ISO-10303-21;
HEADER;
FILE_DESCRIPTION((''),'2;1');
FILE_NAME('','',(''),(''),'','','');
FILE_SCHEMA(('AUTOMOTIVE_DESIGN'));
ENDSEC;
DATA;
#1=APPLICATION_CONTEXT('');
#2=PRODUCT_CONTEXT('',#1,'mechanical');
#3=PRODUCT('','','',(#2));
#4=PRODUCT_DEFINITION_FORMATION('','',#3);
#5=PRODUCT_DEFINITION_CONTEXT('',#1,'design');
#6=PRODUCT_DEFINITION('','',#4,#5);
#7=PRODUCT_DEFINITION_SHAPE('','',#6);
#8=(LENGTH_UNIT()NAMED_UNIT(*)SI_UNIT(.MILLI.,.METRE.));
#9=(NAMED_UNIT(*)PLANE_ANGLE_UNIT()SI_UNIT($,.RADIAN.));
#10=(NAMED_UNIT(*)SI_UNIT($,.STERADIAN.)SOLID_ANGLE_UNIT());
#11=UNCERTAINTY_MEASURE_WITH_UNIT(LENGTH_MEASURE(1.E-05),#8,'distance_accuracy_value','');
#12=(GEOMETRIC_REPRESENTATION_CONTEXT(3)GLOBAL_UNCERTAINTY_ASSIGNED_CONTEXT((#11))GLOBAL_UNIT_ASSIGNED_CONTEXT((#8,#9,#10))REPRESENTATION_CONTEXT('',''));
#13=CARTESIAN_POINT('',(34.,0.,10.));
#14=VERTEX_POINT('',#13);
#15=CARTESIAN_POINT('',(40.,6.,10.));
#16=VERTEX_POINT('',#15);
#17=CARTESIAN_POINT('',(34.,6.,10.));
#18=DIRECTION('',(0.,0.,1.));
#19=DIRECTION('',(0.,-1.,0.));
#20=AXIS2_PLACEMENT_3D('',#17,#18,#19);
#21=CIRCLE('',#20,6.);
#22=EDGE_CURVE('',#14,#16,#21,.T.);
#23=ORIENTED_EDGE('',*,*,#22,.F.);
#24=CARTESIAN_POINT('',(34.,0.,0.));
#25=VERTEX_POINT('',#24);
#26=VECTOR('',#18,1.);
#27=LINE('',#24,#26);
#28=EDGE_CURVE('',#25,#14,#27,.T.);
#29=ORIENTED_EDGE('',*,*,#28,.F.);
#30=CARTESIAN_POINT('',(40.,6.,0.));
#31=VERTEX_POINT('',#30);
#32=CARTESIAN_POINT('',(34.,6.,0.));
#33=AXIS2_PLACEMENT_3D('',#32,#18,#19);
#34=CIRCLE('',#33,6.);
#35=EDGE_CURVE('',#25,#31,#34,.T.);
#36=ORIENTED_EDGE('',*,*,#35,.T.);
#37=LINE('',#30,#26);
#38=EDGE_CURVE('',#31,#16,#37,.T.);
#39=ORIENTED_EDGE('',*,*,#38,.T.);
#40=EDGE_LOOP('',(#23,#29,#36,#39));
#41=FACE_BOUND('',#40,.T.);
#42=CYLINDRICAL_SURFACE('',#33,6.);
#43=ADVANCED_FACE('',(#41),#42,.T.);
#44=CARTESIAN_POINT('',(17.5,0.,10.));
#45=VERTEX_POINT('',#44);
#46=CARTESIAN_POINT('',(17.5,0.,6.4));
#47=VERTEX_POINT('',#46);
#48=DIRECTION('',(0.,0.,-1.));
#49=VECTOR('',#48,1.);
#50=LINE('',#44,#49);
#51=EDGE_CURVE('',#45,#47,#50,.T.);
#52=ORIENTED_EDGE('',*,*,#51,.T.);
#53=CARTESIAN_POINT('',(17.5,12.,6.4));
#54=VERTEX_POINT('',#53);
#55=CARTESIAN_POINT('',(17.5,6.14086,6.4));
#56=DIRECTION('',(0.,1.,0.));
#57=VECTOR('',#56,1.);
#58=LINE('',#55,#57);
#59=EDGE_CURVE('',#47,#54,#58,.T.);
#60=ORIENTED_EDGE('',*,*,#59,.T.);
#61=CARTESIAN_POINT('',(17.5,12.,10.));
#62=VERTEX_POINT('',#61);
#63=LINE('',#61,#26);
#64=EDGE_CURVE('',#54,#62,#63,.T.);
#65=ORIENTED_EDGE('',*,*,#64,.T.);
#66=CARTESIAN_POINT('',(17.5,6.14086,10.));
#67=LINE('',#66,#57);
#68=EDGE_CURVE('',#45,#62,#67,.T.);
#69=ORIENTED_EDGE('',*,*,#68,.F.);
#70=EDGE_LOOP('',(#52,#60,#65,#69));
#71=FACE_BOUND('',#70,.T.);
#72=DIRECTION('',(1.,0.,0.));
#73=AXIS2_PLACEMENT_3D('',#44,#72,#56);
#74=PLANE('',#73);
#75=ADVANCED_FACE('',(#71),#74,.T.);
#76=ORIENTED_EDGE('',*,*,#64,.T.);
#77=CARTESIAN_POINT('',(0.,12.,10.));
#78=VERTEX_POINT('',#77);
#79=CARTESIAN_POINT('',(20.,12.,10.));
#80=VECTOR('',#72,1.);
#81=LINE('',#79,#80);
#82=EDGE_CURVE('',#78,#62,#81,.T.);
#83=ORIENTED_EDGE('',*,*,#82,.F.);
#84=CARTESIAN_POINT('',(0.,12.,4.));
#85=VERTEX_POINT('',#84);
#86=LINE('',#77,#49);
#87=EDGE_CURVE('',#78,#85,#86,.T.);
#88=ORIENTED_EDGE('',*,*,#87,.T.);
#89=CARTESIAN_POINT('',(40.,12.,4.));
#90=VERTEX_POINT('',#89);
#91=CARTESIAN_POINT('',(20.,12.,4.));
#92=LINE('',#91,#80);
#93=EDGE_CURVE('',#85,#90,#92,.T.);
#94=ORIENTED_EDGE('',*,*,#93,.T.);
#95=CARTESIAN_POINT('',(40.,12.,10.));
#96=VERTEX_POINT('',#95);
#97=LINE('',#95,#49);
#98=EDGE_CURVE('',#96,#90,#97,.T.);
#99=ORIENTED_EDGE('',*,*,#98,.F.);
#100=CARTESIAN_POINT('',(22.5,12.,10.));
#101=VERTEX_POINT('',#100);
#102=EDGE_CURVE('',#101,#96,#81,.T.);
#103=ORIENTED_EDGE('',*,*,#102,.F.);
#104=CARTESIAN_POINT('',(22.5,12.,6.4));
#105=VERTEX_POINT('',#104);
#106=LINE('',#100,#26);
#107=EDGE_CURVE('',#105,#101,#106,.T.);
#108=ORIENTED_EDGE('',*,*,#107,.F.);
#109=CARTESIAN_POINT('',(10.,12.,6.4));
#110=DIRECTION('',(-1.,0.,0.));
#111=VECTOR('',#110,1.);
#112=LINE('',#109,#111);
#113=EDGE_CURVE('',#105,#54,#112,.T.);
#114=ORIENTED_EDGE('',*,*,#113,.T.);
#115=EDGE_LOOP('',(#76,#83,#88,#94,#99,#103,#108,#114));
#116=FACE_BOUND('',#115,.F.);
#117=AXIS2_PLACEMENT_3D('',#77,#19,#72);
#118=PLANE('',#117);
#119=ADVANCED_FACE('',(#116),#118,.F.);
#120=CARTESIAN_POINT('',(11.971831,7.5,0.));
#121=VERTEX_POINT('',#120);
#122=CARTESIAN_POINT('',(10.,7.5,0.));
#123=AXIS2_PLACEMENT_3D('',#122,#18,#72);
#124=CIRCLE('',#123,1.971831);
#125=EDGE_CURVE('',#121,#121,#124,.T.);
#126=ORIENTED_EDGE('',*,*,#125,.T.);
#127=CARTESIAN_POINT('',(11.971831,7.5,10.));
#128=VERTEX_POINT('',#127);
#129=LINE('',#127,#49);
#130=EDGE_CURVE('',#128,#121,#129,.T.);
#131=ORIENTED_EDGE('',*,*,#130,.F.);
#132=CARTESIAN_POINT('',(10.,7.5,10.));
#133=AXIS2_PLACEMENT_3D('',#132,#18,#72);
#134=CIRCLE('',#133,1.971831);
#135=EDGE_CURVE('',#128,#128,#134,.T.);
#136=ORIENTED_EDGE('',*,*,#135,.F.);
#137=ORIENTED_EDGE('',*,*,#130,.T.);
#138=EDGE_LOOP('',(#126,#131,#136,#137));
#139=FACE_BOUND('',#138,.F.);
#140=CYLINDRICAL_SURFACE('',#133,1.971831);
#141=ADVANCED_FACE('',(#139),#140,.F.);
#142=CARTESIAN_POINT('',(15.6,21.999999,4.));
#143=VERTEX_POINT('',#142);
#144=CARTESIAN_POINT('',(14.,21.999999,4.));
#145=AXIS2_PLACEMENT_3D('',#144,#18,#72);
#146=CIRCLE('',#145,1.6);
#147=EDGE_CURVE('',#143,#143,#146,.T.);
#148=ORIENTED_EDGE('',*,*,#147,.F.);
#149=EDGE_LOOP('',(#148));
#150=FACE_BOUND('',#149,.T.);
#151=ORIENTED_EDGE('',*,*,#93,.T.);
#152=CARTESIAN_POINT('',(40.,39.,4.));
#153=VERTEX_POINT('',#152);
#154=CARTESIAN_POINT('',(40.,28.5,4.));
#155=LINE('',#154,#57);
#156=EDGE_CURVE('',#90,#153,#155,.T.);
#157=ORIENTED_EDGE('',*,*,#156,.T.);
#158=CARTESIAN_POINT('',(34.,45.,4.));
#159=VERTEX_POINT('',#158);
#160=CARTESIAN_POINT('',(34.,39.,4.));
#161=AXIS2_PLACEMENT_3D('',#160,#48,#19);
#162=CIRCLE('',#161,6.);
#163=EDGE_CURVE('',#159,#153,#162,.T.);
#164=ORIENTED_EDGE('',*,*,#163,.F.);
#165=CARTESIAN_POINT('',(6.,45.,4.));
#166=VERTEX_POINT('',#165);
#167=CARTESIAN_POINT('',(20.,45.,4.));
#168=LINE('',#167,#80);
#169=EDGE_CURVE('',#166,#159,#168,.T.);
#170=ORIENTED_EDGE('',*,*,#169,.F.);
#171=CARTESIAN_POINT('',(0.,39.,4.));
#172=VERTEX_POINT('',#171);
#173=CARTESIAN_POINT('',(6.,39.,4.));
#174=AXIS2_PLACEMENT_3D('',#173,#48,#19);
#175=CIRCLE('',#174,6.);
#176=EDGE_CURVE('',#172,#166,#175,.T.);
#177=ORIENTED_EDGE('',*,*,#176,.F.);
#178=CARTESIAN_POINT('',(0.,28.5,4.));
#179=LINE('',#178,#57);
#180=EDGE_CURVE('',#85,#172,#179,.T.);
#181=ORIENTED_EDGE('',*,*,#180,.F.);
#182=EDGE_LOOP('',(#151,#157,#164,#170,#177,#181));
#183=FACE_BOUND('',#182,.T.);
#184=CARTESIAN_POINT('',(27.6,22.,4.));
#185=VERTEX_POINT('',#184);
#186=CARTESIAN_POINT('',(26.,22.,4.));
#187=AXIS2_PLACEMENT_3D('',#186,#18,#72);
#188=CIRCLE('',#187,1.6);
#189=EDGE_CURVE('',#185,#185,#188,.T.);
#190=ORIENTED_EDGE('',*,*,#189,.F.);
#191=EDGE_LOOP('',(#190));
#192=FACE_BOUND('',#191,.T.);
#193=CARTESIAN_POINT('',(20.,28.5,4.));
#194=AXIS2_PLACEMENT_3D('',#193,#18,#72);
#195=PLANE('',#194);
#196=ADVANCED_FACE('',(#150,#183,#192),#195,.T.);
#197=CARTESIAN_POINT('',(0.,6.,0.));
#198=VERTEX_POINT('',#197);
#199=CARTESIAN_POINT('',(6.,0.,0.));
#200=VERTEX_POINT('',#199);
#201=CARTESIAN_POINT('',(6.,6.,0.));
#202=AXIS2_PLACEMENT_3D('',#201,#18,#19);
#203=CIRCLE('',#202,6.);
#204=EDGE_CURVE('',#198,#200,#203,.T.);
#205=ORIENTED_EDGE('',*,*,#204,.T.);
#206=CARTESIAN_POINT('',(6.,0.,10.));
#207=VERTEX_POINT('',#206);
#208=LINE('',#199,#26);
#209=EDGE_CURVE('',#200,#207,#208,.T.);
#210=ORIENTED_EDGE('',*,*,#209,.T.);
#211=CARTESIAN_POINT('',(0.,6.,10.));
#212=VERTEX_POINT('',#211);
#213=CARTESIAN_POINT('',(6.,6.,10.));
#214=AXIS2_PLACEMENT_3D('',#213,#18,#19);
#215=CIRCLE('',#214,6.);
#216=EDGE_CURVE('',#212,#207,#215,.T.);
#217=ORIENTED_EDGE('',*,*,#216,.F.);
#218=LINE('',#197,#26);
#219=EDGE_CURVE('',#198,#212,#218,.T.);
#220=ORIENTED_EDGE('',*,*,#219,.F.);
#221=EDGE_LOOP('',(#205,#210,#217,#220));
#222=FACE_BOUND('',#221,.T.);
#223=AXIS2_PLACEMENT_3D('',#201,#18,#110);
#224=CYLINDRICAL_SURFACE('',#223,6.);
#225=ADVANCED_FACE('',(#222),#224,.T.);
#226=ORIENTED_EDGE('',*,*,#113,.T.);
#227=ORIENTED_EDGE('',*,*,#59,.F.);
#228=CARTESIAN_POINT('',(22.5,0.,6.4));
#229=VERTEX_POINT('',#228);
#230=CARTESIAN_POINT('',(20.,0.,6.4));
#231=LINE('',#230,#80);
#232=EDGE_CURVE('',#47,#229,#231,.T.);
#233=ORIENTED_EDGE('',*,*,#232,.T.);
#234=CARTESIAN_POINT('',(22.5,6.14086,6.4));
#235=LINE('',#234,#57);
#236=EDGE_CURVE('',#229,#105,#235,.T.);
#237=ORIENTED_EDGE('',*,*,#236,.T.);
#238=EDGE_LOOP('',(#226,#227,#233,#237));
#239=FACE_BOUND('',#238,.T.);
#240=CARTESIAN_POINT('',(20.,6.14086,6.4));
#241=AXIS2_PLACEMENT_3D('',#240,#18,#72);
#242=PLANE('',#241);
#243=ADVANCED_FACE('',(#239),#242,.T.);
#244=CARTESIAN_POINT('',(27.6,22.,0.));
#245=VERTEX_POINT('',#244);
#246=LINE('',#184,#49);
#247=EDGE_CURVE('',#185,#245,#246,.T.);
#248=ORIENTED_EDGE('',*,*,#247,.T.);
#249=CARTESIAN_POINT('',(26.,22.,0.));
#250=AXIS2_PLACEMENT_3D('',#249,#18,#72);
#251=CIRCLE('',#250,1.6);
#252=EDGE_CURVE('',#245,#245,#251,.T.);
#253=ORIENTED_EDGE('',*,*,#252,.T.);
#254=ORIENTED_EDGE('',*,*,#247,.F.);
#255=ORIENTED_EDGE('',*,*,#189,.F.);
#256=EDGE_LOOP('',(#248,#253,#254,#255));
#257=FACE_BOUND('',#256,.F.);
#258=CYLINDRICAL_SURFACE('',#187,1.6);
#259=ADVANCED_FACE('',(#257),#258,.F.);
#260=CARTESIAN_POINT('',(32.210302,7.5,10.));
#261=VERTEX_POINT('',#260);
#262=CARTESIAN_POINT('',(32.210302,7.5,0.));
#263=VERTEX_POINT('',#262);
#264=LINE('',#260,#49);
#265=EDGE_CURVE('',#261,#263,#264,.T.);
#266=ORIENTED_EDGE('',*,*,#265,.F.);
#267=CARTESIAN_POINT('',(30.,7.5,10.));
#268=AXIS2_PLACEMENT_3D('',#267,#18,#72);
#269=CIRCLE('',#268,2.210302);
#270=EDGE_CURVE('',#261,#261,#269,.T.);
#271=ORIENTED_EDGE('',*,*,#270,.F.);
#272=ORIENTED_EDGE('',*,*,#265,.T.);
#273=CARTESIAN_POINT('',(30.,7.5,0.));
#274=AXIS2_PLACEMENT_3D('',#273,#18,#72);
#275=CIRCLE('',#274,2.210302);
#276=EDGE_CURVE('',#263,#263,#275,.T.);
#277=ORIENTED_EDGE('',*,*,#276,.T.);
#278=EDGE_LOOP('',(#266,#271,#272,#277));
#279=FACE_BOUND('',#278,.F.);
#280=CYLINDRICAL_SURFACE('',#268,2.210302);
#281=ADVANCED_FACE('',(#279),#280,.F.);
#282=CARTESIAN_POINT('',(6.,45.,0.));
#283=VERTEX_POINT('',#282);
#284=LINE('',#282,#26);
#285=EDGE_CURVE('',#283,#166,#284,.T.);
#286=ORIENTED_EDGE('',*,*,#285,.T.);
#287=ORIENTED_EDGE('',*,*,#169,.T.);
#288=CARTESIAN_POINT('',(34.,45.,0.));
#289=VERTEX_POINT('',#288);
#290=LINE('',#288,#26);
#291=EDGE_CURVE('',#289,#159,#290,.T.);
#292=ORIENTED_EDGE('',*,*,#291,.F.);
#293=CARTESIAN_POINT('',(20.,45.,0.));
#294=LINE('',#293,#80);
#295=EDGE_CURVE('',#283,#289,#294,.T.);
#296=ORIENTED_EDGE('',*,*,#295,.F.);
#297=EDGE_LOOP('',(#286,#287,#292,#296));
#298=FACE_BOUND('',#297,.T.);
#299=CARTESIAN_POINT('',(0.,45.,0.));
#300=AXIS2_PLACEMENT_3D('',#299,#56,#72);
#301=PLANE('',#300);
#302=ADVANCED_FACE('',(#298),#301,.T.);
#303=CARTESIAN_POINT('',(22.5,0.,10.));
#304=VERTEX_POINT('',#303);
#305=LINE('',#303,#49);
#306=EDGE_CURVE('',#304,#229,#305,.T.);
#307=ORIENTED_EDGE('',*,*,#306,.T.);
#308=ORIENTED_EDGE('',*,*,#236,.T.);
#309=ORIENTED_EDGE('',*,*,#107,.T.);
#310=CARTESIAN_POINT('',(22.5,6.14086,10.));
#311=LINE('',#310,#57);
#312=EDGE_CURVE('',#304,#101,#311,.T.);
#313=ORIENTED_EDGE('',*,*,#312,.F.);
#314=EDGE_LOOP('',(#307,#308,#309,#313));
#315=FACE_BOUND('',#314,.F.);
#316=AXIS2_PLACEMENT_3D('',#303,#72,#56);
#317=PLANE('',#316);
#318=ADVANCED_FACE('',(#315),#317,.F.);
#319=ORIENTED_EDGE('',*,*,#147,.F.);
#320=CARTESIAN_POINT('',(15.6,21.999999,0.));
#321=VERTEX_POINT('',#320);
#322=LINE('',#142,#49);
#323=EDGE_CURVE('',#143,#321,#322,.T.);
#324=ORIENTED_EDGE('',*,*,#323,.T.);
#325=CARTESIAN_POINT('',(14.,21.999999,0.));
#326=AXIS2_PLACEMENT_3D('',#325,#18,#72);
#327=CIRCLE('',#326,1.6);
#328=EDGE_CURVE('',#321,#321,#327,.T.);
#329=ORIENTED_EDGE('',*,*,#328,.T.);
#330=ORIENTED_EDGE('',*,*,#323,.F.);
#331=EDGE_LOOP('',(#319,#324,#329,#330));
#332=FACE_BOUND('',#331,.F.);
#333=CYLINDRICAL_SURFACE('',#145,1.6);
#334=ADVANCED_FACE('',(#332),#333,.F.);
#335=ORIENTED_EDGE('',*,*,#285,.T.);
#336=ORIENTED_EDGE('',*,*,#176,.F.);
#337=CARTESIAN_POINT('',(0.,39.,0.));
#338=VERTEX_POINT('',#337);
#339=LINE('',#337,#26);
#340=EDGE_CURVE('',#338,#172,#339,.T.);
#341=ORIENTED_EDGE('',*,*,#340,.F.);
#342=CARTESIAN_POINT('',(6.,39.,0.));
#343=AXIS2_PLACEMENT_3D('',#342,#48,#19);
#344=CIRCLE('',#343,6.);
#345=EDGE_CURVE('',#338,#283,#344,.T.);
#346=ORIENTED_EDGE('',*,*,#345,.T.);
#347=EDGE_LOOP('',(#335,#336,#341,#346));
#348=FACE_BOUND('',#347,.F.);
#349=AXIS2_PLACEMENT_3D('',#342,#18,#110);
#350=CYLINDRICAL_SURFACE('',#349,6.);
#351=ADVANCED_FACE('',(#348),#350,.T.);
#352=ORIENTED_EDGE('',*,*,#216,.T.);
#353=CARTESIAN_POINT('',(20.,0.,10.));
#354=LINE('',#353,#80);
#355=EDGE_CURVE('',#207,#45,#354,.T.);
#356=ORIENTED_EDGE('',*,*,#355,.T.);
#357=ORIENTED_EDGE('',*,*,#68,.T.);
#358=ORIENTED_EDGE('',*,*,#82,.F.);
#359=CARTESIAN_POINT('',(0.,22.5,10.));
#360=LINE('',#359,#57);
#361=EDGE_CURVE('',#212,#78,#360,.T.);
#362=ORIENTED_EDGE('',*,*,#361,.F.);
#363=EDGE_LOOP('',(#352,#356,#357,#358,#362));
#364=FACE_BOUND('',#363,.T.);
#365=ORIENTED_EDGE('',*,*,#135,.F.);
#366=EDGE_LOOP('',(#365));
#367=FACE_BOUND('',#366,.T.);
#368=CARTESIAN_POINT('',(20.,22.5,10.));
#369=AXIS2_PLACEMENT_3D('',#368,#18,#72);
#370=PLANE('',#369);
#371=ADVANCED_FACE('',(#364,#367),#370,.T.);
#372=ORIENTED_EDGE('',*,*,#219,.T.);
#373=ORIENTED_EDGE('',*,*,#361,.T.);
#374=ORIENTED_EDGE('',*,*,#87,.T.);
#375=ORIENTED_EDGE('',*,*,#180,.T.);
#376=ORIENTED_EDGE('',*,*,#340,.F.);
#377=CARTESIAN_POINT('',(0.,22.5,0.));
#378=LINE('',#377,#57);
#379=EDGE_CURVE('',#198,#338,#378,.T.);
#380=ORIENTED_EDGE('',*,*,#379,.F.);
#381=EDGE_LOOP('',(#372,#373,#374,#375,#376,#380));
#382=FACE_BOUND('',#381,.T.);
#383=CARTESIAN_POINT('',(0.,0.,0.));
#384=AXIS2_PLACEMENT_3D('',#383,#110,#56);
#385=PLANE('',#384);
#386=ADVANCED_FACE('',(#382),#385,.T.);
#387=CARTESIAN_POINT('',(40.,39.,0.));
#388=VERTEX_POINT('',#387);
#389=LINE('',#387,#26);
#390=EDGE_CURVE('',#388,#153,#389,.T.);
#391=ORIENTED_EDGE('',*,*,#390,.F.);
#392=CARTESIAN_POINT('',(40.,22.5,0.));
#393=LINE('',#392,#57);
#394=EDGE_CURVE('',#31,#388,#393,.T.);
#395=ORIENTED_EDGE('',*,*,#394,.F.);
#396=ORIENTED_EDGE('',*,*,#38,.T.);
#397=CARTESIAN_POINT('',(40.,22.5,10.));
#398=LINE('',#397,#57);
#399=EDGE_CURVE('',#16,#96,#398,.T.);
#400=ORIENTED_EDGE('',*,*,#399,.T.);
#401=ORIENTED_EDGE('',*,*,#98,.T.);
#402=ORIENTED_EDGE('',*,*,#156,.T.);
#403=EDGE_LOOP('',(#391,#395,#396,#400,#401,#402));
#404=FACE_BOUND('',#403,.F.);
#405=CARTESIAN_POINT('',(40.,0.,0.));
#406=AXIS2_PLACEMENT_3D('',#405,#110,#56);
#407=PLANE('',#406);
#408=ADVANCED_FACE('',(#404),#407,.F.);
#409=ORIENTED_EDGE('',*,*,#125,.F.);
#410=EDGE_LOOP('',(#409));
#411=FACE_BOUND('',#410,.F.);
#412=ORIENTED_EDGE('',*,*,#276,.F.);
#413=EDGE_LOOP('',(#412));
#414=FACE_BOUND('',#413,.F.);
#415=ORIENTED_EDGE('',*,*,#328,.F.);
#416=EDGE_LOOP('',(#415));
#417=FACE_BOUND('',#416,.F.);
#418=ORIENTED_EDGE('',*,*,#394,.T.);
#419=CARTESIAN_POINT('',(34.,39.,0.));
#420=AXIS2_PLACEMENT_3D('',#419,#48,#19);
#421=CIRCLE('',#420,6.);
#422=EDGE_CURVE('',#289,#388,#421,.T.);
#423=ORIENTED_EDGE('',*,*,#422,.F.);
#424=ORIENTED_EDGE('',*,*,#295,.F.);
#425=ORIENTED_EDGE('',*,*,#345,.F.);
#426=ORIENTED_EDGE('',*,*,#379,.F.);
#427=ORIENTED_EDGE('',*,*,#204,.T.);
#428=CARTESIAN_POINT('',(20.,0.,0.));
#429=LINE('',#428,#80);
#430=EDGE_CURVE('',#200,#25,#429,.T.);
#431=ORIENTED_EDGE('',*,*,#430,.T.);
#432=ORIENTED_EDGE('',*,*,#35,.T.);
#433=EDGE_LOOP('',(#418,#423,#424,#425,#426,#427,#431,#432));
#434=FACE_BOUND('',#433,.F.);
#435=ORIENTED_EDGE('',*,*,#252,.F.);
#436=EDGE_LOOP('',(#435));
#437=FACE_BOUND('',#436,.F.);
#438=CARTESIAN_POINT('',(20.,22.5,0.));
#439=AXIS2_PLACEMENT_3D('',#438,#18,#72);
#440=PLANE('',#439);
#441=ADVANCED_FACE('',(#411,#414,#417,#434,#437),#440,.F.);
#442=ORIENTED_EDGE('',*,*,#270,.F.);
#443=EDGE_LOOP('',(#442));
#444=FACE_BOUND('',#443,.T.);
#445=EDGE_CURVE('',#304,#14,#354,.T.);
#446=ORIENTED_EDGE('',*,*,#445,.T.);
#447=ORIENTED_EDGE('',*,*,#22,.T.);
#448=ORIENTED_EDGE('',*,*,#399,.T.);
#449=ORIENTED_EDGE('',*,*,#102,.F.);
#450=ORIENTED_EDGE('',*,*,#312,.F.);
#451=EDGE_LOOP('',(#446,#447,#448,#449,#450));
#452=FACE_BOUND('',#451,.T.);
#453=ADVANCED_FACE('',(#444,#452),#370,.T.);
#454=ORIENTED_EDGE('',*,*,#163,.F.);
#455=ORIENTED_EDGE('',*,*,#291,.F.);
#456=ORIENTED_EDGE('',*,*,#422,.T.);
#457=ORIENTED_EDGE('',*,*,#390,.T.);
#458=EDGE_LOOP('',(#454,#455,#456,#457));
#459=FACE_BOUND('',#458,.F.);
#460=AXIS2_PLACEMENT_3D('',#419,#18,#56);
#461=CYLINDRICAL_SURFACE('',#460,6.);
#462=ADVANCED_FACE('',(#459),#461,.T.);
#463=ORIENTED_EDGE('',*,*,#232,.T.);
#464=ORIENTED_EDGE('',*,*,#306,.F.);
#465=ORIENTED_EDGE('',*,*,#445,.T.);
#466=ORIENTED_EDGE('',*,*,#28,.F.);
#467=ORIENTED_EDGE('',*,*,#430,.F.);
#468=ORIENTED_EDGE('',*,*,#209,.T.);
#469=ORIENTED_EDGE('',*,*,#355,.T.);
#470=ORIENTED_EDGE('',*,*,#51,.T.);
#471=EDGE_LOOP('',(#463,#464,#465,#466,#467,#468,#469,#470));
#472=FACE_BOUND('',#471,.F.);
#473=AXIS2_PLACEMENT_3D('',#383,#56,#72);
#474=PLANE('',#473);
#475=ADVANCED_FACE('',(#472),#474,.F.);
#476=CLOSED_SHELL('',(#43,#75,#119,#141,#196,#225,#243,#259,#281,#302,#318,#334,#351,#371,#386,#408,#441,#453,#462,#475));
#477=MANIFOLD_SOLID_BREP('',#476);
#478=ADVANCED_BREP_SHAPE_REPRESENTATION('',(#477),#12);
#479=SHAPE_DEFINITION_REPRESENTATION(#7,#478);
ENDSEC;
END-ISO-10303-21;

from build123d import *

# Parameters (mm, degrees)
SKETCH_W        = 40
SKETCH_H        = 45
PAD_DEPTH       = 10
SKETCH001_R     = 1.971831
SKETCH001_R_2   = 2.210302
POCKET_DEPTH    = 10
SKETCH002_W     = 40
SKETCH002_H     = 33
POCKET001_DEPTH = 6
SKETCH003_R     = 1.6
POCKET002_DEPTH = 5
SKETCH004_W     = 5
SKETCH004_H     = 12.28172
POCKET003_DEPTH = 3.6
FILLET_R        = 6


with BuildPart() as part:
    # Sketch → Pad (new body)
    with BuildSketch(Plane.XY):
        with Locations((20, 22.5)):
            Rectangle(SKETCH_W, SKETCH_H)
    extrude(amount=PAD_DEPTH)

    # Sketch001 (on Face6 of Pad) → Pocket (cut)
    with BuildSketch(Plane.XY.offset(10)):
        with Locations((10, 7.5)):
            Circle(SKETCH001_R)
        with Locations((30, 7.5)):
            Circle(SKETCH001_R_2)
    extrude(amount=-POCKET_DEPTH, mode=Mode.SUBTRACT)

    # Sketch002 (on Face5 of Pocket) → Pocket001 (cut)
    with BuildSketch(Plane.XY.offset(10)):
        with Locations((20, 28.5)):
            Rectangle(SKETCH002_W, SKETCH002_H)
    extrude(amount=-POCKET001_DEPTH, mode=Mode.SUBTRACT)

    # Sketch003 (on Face7 of Pocket001) → Pocket002 (cut)
    with BuildSketch(Plane.XY.offset(4)):
        with Locations((14, 21.999999)):
            Circle(SKETCH003_R)
        with Locations((26, 22)):
            Circle(SKETCH003_R)
    extrude(amount=-POCKET002_DEPTH, mode=Mode.SUBTRACT)

    # Sketch004 (on Face5 of Pocket002) → Pocket003 (cut)
    with BuildSketch(Plane.XY.offset(10)):
        with Locations((20, 6.14086)):
            Rectangle(SKETCH004_W, SKETCH004_H)
    extrude(amount=-POCKET003_DEPTH, mode=Mode.SUBTRACT)

    # Fillet
    fillet_edges = [part.edges().sort_by_distance(p)[0] for p in [
        (40, 0, 5),
        (0, 0, 5),
        (40, 45, 2),
        (0, 45, 2),
    ]]
    fillet(fillet_edges, radius=FILLET_R)


solid = part.part
